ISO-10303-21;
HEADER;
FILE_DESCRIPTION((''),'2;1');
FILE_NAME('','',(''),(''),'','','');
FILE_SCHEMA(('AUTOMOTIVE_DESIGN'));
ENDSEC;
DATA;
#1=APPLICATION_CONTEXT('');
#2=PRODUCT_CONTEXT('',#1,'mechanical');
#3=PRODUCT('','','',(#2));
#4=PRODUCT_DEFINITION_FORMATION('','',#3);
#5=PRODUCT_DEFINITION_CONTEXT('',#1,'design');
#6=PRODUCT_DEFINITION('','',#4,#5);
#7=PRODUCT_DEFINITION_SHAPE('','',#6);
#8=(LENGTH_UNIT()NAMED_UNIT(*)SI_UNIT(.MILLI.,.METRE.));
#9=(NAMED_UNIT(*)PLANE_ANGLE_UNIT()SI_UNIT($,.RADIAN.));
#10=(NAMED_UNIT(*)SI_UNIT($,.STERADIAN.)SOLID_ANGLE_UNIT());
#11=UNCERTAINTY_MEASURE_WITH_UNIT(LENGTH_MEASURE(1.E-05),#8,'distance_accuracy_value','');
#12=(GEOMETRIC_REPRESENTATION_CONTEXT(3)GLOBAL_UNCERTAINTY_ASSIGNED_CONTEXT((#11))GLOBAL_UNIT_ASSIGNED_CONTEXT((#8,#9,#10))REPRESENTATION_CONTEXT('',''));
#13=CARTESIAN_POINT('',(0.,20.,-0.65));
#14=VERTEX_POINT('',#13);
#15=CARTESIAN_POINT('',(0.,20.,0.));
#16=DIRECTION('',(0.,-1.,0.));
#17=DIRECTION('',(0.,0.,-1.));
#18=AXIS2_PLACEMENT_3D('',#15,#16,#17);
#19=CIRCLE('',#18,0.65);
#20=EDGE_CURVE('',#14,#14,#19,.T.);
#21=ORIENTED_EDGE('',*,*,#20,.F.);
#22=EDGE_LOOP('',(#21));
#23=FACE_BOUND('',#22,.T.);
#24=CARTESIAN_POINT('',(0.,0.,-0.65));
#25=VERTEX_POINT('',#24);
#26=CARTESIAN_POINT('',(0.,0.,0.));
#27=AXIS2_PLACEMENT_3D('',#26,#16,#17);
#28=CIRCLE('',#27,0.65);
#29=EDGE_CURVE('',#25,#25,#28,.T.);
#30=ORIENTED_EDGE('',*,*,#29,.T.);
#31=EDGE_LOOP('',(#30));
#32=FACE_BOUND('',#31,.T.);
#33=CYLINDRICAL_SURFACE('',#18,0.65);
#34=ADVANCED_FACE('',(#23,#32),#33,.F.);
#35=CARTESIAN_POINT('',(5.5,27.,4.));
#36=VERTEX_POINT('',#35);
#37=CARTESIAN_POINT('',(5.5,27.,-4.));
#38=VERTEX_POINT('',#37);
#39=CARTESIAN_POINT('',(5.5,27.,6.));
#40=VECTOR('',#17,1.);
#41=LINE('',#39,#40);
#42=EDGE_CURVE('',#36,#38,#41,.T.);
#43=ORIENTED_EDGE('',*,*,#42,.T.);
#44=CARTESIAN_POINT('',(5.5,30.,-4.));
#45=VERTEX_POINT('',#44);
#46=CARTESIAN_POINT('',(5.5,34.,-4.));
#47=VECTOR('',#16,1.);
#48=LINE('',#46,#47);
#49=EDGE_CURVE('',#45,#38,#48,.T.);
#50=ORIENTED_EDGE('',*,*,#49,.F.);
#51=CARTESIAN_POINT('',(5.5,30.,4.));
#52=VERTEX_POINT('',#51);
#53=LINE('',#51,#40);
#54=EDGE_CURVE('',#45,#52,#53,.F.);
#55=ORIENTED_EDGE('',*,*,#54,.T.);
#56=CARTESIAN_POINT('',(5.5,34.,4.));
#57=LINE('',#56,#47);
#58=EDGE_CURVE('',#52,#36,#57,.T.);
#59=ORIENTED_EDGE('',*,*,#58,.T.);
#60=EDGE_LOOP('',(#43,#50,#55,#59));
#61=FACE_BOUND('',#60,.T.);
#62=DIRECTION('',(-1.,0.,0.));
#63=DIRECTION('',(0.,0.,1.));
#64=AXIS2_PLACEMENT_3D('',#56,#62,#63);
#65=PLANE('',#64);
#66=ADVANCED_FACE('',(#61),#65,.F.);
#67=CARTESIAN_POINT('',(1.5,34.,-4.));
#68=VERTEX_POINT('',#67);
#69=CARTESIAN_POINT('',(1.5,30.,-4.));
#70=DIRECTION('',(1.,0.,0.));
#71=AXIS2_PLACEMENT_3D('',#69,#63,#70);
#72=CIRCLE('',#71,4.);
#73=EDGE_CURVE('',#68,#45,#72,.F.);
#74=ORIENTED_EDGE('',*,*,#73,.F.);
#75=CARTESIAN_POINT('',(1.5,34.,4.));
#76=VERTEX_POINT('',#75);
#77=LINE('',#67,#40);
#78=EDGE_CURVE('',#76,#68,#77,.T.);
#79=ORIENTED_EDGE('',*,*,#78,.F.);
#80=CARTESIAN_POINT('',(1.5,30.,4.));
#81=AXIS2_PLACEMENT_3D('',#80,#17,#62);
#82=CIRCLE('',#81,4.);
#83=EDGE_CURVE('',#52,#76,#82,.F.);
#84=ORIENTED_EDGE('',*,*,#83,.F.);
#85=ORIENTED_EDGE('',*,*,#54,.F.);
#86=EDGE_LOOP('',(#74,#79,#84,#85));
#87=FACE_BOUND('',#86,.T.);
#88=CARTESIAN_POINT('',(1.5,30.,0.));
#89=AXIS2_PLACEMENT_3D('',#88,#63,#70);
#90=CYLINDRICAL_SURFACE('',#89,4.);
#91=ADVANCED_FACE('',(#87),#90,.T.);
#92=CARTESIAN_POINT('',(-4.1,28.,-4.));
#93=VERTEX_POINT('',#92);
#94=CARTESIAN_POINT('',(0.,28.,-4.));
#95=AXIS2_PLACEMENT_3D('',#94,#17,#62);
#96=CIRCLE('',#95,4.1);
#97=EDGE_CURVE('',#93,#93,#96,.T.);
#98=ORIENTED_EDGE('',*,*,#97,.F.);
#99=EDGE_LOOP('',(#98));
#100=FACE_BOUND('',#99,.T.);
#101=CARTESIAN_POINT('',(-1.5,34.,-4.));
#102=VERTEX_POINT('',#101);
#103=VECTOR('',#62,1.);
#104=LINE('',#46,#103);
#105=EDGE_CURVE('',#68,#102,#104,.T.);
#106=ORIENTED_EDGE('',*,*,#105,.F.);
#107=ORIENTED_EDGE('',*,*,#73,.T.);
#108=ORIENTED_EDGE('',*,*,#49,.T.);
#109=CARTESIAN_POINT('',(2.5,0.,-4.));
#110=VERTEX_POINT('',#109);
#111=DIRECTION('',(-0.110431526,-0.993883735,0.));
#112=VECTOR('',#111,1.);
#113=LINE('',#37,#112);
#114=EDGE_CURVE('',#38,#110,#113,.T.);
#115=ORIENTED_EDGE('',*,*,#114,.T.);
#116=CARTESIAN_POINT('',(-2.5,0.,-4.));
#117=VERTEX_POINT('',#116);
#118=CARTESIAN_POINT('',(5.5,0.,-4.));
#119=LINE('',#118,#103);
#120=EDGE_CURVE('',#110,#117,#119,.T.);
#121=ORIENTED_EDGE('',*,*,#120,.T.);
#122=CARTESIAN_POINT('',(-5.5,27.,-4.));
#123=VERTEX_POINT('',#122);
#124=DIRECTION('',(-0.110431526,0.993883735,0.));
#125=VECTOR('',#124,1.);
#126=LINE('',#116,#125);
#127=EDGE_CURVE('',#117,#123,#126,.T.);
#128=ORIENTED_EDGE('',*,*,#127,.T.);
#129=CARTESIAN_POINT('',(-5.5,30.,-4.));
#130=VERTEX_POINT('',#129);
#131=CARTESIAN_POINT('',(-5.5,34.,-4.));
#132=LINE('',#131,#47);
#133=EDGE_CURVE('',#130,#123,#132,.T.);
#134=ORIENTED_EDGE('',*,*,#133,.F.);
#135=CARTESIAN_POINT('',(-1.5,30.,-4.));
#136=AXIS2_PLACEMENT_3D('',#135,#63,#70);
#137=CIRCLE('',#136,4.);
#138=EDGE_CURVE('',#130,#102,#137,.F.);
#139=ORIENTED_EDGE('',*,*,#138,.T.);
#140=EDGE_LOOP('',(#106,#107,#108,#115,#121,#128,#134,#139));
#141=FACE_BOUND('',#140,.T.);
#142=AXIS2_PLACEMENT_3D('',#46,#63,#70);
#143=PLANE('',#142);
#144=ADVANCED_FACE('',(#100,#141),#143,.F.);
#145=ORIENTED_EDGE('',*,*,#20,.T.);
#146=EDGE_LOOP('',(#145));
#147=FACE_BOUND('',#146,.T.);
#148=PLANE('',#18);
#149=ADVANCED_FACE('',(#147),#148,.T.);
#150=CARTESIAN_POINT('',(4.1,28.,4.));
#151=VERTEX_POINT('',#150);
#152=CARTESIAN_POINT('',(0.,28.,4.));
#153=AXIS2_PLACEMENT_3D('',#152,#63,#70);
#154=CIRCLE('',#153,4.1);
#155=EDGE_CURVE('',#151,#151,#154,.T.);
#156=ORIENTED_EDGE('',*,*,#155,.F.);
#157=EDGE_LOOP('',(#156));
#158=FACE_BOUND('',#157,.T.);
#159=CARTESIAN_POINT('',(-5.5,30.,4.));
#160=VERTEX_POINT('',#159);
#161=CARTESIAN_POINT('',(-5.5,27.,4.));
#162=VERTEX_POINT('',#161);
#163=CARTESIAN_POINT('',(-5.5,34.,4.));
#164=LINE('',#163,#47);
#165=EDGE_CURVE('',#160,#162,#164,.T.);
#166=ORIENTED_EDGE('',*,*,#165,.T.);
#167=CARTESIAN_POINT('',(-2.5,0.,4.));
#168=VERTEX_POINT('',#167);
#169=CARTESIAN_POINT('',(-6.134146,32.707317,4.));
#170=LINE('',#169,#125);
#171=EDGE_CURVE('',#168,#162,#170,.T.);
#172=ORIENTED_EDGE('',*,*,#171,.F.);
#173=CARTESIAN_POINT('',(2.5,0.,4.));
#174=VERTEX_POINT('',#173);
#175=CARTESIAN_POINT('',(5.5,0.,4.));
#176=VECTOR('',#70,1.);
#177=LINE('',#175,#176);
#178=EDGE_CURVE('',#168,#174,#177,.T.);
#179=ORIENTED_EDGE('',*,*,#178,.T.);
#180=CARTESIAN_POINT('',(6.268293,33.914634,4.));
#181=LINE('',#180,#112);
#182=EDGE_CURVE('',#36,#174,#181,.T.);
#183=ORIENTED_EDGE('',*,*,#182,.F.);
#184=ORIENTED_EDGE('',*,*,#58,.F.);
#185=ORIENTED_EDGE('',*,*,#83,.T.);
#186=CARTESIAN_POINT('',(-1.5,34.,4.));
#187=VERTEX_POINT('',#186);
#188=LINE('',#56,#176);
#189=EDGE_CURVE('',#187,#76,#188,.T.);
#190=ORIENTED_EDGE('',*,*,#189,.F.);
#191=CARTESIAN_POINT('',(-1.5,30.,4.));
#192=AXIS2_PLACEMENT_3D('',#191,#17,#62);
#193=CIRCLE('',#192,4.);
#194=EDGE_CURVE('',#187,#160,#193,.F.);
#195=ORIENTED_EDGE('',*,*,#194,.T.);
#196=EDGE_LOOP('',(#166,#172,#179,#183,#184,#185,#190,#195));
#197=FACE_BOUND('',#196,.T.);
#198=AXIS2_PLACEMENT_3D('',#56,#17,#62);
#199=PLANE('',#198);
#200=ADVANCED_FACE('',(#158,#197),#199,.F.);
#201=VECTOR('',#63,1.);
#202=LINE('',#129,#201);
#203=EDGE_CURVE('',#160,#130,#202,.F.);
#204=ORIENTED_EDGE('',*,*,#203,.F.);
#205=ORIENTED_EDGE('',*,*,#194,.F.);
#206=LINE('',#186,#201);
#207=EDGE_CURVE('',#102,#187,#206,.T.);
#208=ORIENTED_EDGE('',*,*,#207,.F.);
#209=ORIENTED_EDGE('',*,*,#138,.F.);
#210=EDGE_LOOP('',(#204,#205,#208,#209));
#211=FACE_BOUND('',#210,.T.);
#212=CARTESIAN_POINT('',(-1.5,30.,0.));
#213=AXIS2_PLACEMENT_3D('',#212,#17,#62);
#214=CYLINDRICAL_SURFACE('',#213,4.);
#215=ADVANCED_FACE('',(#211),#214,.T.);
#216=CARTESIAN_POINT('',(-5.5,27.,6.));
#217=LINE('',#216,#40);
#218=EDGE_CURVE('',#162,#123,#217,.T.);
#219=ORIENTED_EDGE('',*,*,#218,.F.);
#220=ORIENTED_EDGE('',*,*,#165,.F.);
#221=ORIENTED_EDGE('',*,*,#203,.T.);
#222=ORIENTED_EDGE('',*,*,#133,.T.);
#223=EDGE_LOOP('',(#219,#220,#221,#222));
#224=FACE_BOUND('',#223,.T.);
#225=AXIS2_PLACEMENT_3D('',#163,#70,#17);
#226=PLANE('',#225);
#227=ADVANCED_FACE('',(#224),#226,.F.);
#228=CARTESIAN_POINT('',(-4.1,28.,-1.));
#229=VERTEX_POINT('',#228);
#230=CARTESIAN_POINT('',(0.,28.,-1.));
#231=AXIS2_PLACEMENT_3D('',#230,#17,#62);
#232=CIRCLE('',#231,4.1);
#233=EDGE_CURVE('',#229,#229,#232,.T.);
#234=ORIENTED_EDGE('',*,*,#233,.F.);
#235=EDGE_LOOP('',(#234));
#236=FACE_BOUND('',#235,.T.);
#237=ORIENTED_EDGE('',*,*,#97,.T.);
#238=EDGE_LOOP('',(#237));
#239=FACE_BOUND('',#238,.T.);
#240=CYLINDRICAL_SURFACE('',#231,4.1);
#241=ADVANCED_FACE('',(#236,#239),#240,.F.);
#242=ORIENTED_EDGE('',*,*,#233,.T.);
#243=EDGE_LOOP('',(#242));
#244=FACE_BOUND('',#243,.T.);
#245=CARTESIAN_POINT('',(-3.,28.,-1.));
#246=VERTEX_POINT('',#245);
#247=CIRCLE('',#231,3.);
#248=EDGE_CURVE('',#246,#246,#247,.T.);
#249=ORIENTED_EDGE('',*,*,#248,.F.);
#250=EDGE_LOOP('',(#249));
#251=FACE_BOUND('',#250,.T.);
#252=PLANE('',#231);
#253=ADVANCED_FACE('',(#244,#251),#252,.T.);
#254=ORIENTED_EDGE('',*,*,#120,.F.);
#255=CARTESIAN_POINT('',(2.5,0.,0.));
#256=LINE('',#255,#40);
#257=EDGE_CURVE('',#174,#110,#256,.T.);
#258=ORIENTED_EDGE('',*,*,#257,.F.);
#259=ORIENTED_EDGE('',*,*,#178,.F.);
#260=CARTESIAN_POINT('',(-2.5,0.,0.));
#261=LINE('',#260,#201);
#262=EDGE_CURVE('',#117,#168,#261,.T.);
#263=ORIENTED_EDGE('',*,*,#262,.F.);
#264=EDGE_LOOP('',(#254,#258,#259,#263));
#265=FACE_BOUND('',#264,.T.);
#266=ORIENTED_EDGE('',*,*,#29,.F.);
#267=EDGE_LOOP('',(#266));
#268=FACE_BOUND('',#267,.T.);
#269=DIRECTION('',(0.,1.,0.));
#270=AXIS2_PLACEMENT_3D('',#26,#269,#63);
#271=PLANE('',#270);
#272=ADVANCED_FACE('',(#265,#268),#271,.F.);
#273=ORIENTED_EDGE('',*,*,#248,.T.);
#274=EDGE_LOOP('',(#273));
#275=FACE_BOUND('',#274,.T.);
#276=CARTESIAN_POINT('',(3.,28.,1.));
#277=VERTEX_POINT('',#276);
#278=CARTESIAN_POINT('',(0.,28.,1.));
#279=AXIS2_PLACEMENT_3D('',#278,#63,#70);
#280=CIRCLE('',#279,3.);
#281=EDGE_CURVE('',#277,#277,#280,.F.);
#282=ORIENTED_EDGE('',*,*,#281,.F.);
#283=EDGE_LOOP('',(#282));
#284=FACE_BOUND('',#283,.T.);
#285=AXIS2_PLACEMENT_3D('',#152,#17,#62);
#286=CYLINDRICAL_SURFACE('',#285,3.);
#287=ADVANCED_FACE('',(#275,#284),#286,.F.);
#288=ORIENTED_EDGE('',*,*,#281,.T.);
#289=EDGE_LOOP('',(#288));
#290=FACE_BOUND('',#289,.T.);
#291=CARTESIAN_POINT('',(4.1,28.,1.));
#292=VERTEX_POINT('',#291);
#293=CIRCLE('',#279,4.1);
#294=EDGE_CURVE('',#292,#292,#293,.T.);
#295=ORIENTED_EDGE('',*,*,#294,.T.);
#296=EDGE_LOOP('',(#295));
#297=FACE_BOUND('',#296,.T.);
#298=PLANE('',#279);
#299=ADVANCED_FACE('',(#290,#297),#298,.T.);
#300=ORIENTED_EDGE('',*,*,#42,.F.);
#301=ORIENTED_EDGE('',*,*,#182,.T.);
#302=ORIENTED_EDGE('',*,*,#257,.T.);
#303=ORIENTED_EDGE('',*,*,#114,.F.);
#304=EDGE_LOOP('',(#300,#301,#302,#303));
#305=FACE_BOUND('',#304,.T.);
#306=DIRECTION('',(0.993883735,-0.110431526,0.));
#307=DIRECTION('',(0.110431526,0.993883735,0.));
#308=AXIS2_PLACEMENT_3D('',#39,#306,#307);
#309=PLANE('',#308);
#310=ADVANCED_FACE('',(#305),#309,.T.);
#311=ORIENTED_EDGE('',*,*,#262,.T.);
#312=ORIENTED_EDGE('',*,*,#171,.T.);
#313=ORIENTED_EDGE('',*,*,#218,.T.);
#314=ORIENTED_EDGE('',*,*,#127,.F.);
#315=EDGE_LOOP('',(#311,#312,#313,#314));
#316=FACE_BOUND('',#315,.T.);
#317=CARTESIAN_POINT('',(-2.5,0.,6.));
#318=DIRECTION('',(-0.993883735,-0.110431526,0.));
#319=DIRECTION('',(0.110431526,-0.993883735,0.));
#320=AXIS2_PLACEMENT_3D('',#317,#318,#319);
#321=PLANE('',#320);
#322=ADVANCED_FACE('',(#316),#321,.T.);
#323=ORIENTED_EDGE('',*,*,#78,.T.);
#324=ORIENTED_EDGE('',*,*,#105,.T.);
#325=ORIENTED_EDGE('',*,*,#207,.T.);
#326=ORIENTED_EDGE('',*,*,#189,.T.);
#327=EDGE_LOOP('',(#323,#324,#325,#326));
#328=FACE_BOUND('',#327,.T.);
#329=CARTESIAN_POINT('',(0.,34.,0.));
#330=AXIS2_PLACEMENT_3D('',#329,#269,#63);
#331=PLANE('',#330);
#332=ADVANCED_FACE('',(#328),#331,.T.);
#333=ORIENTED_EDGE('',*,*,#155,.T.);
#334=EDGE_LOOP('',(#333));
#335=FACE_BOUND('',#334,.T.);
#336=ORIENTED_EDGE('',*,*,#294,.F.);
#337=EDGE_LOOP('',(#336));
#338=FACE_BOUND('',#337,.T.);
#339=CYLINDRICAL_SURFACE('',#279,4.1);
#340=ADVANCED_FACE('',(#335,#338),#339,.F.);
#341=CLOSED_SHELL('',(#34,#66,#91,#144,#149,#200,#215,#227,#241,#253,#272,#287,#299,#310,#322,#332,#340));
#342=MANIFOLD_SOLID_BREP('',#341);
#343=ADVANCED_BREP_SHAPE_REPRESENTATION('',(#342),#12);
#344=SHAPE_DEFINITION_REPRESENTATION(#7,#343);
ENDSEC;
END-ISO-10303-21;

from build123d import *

# Parameters (mm, degrees)
SKETCH_1_W          = 11
SKETCH_1_H          = 8
EXTRUDE_1_DEPTH     = 34
SKETCH_2_R          = 4.1
CUT_EXTRUDE_1_DEPTH = 3
SKETCH_4_R          = 3
CUT_EXTRUDE_3_DEPTH = 6
SKETCH_6_OUTSIDE_W  = 20.324
SKETCH_6_OUTSIDE_H  = 43.324
CUT_EXTRUDE_5_DEPTH = 10
FILLET_1_R          = 4
SKETCH_5_R          = 0.65
CUT_EXTRUDE_4_DEPTH = 20
SKETCH_7_R          = 4.1
CUT_EXTRUDE_6_DEPTH = 3


with BuildPart() as part:
    # Эскиз1 → Бобышка-Вытянуть1 (new body)
    with BuildSketch(Plane(origin=(0, 0, 0), x_dir=(1, 0, 0), z_dir=(0, 1, 0))):
        Rectangle(SKETCH_1_W, SKETCH_1_H)
    extrude(amount=EXTRUDE_1_DEPTH)

    # Эскиз2 → Вырез-Вытянуть1 (cut)
    with BuildSketch(Plane(origin=(0, 0, -4), x_dir=(-1, 0, 0), z_dir=(0, 0, -1))):
        with Locations((0, 28)):
            Circle(SKETCH_2_R)
    extrude(amount=-CUT_EXTRUDE_1_DEPTH, mode=Mode.SUBTRACT)

    # Эскиз4 → Вырез-Вытянуть3 (cut, through all)
    with BuildSketch(Plane(origin=(0, 0, -1), x_dir=(-1, 0, 0), z_dir=(0, 0, -1))):
        with Locations((0, 28)):
            Circle(SKETCH_4_R)
    extrude(amount=-CUT_EXTRUDE_3_DEPTH, mode=Mode.SUBTRACT)

    # Эскиз6 outside → Вырез-Вытянуть5 (cut)
    with BuildSketch(Plane(origin=(0, 0, -4), x_dir=(-1, 0, 0), z_dir=(0, 0, -1))):
        with Locations((0, 17)):
            Rectangle(SKETCH_6_OUTSIDE_W, SKETCH_6_OUTSIDE_H)
        Polygon((-5.5, 27), (-2.5, 0), (2.5, 0), (5.5, 27), (5.5, 34), (-5.5, 34), align=None, mode=Mode.SUBTRACT)
    extrude(amount=-CUT_EXTRUDE_5_DEPTH, mode=Mode.SUBTRACT)

    # Скругление1
    fillet_1_edges = [part.edges().sort_by_distance(p)[0] for p in [
        (5.5, 34, 0),
        (-5.5, 34, 0),
    ]]
    fillet(fillet_1_edges, radius=FILLET_1_R)

    # Эскиз5 → Вырез-Вытянуть4 (cut)
    with BuildSketch(Plane.XZ):
        Circle(SKETCH_5_R)
    extrude(amount=-CUT_EXTRUDE_4_DEPTH, mode=Mode.SUBTRACT)

    # Эскиз7 → Вырез-Вытянуть6 (cut)
    with BuildSketch(Plane.XY.offset(4)):
        with Locations((0, 28)):
            Circle(SKETCH_7_R)
    extrude(amount=-CUT_EXTRUDE_6_DEPTH, mode=Mode.SUBTRACT)


solid = part.part
